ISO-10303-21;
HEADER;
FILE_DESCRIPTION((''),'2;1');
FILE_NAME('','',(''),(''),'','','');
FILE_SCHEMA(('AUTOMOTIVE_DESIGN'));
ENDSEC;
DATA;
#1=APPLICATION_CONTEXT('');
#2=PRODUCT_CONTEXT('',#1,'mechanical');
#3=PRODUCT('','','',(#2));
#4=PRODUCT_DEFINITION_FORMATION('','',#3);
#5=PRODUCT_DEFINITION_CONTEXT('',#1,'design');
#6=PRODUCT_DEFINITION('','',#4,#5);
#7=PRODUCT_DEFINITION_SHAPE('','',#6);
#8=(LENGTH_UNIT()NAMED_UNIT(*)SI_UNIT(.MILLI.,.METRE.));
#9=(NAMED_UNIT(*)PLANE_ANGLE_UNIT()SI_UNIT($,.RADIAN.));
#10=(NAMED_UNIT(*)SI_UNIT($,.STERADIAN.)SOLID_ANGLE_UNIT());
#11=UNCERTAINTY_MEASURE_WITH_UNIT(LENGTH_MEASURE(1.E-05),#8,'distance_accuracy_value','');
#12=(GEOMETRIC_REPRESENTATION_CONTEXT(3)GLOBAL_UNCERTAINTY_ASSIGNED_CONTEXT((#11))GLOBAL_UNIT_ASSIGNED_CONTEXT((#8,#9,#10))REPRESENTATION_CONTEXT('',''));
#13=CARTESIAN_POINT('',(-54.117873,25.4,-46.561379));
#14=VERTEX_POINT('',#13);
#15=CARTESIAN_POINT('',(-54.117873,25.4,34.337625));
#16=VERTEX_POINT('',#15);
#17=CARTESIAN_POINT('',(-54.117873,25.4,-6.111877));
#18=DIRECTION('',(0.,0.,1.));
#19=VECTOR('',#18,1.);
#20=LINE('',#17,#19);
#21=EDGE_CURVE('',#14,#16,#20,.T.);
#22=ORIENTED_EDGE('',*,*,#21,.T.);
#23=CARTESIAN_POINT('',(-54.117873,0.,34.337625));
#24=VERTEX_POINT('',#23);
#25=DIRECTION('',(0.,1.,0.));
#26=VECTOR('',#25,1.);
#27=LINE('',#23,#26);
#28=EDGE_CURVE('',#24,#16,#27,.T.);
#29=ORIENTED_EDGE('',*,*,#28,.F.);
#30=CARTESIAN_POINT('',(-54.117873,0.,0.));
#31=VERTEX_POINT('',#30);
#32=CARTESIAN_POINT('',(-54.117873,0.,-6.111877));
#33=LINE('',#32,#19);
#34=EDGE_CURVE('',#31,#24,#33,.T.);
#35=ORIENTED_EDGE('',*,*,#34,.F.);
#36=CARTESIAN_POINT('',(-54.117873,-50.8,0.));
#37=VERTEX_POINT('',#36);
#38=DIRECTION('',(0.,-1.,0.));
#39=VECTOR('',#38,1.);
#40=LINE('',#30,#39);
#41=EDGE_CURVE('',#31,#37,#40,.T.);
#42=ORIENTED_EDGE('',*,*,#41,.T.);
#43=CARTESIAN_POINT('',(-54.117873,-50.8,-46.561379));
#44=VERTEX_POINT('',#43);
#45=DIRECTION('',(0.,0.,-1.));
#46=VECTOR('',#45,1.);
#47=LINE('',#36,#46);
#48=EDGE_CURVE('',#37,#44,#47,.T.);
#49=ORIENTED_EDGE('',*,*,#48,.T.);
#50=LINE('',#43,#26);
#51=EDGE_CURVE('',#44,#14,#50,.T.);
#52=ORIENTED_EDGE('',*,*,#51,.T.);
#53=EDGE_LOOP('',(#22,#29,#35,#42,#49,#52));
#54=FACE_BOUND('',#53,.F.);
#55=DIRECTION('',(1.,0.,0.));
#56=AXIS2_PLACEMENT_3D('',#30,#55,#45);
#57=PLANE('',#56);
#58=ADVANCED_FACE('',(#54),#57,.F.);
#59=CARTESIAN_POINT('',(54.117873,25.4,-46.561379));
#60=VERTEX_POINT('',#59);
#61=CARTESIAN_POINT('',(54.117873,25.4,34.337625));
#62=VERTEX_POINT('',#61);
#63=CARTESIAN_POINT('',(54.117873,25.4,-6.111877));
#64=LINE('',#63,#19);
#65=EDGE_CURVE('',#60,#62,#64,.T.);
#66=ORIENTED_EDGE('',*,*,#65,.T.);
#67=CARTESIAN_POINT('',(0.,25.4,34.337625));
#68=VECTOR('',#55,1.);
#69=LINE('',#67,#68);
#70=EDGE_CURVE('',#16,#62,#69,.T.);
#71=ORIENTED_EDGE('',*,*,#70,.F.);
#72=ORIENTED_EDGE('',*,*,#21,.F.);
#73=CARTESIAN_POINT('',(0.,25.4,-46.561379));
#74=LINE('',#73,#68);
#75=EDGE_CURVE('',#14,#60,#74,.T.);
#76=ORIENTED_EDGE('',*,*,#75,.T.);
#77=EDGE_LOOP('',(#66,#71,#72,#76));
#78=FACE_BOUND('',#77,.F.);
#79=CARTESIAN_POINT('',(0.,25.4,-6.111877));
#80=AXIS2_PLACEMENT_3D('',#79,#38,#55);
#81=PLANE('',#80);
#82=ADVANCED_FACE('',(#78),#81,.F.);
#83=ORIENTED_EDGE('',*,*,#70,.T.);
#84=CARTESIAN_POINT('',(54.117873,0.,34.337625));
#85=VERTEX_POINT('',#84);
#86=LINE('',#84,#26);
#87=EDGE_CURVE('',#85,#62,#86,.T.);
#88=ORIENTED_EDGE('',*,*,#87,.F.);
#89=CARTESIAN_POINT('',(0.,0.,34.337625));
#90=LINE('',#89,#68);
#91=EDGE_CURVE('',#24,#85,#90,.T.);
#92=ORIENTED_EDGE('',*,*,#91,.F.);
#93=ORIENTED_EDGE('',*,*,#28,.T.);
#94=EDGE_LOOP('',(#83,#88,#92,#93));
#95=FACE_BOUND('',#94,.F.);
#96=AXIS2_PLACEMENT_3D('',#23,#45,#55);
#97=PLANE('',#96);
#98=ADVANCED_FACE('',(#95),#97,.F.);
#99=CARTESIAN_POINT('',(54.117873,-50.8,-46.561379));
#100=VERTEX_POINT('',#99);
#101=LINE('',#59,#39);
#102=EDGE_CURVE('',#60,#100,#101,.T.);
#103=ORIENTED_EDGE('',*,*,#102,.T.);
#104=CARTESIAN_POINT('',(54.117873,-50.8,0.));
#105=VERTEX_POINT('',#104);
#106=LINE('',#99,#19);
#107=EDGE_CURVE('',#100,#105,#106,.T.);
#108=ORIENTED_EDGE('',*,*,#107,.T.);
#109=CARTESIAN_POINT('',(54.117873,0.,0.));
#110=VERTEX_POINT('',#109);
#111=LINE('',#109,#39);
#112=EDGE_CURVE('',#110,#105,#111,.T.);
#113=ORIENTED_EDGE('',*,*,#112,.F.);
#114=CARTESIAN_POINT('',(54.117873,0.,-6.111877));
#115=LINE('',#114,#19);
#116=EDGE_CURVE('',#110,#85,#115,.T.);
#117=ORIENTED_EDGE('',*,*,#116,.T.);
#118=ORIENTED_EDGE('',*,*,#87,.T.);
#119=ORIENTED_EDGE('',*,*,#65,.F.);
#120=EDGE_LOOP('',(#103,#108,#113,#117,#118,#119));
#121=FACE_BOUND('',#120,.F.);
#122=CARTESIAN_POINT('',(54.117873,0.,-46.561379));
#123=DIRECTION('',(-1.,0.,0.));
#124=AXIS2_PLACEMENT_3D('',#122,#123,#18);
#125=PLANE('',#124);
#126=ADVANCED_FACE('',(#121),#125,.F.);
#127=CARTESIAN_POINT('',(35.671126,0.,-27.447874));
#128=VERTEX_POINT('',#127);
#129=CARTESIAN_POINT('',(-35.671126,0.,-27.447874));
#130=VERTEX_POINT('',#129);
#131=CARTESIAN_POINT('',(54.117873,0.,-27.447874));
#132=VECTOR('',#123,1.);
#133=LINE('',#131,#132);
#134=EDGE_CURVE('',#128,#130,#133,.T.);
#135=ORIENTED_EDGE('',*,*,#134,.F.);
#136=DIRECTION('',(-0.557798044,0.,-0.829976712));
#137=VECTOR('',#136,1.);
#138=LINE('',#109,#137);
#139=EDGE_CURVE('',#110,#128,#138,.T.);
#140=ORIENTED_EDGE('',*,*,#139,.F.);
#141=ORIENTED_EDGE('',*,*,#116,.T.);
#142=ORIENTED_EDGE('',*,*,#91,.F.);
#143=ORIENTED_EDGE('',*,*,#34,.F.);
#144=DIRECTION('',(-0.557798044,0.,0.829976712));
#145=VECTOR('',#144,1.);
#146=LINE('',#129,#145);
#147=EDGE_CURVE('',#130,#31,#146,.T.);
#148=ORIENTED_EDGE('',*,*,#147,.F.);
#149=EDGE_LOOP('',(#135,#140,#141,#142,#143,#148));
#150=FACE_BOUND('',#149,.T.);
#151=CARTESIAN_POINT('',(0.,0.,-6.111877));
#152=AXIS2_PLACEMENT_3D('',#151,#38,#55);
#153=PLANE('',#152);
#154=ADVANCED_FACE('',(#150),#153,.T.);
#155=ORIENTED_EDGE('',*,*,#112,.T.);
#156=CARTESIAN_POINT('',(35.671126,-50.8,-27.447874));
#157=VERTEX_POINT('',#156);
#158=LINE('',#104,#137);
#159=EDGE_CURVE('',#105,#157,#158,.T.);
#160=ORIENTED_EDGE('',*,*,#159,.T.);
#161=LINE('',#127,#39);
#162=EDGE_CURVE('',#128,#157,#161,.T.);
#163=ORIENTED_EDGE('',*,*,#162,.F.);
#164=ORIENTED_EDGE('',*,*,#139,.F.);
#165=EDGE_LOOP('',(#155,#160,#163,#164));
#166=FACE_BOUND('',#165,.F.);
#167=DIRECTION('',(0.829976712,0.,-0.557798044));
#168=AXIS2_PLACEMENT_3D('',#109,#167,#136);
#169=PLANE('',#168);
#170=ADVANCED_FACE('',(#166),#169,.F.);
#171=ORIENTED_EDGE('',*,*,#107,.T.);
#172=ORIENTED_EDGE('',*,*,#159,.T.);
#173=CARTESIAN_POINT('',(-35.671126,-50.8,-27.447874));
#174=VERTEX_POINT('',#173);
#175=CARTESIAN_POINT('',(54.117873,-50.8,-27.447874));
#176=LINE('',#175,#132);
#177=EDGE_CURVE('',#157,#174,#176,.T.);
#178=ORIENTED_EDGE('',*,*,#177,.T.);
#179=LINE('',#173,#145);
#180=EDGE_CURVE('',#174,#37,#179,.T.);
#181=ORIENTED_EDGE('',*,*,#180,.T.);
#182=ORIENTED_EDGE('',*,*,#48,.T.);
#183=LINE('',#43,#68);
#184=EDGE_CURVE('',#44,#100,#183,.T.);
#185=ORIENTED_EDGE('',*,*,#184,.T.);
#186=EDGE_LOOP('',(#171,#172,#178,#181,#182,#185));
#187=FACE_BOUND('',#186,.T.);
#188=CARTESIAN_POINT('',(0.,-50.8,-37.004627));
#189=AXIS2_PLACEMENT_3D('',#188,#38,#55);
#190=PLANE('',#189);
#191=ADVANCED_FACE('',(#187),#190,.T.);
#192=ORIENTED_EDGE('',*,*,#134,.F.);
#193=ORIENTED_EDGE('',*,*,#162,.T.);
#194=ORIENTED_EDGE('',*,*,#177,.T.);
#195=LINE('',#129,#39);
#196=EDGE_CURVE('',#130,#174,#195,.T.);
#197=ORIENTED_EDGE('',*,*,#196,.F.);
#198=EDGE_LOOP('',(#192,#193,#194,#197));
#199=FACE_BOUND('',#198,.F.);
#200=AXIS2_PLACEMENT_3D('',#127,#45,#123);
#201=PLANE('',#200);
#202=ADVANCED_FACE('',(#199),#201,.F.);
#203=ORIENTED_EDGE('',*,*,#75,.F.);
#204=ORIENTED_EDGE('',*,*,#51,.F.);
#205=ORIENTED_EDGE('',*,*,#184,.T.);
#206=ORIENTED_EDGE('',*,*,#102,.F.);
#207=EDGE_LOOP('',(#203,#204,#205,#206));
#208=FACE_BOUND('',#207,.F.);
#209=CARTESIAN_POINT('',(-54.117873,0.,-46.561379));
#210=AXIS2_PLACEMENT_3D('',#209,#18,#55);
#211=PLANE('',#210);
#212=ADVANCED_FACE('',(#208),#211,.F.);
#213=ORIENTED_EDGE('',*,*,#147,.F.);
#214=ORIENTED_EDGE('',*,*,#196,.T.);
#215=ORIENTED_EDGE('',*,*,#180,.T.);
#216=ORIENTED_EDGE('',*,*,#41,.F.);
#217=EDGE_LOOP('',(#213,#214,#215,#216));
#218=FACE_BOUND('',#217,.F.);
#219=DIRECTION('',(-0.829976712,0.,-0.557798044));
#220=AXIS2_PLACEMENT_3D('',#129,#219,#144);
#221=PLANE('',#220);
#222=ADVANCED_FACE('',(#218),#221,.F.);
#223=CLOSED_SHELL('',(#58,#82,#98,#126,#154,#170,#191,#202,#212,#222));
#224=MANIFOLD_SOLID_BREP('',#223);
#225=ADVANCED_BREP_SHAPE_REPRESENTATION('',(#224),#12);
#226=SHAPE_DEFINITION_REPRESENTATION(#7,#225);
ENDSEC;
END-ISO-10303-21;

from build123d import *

# Parameters (mm, degrees)
F0_W     = 108.235746
F0_H     = 80.899004
F1_DEPTH = 25.4
F3_DEPTH = 50.8


with BuildPart() as f1:
    # F0 (on Front) → F1 (new body)
    with BuildSketch(Plane.XZ):
        with Locations((0, -6.111877)):
            Rectangle(F0_W, F0_H)
    extrude(amount=-F1_DEPTH)

    # F2 (on face) → F3 (join)
    with BuildSketch(Plane.XZ):
        Polygon((-35.671126, -27.447874), (-54.117873, -27.447874), (-54.117873, -46.561379), (54.117873, -46.561379), (54.117873, -27.447874), (35.671126, -27.447874), align=None)
        Polygon((-54.117873, 0), (-54.117873, -27.447874), (-35.671126, -27.447874), align=None)
        Polygon((54.117873, 0), (35.671126, -27.447874), (54.117873, -27.447874), align=None)
    extrude(amount=F3_DEPTH)


solid = f1.part
